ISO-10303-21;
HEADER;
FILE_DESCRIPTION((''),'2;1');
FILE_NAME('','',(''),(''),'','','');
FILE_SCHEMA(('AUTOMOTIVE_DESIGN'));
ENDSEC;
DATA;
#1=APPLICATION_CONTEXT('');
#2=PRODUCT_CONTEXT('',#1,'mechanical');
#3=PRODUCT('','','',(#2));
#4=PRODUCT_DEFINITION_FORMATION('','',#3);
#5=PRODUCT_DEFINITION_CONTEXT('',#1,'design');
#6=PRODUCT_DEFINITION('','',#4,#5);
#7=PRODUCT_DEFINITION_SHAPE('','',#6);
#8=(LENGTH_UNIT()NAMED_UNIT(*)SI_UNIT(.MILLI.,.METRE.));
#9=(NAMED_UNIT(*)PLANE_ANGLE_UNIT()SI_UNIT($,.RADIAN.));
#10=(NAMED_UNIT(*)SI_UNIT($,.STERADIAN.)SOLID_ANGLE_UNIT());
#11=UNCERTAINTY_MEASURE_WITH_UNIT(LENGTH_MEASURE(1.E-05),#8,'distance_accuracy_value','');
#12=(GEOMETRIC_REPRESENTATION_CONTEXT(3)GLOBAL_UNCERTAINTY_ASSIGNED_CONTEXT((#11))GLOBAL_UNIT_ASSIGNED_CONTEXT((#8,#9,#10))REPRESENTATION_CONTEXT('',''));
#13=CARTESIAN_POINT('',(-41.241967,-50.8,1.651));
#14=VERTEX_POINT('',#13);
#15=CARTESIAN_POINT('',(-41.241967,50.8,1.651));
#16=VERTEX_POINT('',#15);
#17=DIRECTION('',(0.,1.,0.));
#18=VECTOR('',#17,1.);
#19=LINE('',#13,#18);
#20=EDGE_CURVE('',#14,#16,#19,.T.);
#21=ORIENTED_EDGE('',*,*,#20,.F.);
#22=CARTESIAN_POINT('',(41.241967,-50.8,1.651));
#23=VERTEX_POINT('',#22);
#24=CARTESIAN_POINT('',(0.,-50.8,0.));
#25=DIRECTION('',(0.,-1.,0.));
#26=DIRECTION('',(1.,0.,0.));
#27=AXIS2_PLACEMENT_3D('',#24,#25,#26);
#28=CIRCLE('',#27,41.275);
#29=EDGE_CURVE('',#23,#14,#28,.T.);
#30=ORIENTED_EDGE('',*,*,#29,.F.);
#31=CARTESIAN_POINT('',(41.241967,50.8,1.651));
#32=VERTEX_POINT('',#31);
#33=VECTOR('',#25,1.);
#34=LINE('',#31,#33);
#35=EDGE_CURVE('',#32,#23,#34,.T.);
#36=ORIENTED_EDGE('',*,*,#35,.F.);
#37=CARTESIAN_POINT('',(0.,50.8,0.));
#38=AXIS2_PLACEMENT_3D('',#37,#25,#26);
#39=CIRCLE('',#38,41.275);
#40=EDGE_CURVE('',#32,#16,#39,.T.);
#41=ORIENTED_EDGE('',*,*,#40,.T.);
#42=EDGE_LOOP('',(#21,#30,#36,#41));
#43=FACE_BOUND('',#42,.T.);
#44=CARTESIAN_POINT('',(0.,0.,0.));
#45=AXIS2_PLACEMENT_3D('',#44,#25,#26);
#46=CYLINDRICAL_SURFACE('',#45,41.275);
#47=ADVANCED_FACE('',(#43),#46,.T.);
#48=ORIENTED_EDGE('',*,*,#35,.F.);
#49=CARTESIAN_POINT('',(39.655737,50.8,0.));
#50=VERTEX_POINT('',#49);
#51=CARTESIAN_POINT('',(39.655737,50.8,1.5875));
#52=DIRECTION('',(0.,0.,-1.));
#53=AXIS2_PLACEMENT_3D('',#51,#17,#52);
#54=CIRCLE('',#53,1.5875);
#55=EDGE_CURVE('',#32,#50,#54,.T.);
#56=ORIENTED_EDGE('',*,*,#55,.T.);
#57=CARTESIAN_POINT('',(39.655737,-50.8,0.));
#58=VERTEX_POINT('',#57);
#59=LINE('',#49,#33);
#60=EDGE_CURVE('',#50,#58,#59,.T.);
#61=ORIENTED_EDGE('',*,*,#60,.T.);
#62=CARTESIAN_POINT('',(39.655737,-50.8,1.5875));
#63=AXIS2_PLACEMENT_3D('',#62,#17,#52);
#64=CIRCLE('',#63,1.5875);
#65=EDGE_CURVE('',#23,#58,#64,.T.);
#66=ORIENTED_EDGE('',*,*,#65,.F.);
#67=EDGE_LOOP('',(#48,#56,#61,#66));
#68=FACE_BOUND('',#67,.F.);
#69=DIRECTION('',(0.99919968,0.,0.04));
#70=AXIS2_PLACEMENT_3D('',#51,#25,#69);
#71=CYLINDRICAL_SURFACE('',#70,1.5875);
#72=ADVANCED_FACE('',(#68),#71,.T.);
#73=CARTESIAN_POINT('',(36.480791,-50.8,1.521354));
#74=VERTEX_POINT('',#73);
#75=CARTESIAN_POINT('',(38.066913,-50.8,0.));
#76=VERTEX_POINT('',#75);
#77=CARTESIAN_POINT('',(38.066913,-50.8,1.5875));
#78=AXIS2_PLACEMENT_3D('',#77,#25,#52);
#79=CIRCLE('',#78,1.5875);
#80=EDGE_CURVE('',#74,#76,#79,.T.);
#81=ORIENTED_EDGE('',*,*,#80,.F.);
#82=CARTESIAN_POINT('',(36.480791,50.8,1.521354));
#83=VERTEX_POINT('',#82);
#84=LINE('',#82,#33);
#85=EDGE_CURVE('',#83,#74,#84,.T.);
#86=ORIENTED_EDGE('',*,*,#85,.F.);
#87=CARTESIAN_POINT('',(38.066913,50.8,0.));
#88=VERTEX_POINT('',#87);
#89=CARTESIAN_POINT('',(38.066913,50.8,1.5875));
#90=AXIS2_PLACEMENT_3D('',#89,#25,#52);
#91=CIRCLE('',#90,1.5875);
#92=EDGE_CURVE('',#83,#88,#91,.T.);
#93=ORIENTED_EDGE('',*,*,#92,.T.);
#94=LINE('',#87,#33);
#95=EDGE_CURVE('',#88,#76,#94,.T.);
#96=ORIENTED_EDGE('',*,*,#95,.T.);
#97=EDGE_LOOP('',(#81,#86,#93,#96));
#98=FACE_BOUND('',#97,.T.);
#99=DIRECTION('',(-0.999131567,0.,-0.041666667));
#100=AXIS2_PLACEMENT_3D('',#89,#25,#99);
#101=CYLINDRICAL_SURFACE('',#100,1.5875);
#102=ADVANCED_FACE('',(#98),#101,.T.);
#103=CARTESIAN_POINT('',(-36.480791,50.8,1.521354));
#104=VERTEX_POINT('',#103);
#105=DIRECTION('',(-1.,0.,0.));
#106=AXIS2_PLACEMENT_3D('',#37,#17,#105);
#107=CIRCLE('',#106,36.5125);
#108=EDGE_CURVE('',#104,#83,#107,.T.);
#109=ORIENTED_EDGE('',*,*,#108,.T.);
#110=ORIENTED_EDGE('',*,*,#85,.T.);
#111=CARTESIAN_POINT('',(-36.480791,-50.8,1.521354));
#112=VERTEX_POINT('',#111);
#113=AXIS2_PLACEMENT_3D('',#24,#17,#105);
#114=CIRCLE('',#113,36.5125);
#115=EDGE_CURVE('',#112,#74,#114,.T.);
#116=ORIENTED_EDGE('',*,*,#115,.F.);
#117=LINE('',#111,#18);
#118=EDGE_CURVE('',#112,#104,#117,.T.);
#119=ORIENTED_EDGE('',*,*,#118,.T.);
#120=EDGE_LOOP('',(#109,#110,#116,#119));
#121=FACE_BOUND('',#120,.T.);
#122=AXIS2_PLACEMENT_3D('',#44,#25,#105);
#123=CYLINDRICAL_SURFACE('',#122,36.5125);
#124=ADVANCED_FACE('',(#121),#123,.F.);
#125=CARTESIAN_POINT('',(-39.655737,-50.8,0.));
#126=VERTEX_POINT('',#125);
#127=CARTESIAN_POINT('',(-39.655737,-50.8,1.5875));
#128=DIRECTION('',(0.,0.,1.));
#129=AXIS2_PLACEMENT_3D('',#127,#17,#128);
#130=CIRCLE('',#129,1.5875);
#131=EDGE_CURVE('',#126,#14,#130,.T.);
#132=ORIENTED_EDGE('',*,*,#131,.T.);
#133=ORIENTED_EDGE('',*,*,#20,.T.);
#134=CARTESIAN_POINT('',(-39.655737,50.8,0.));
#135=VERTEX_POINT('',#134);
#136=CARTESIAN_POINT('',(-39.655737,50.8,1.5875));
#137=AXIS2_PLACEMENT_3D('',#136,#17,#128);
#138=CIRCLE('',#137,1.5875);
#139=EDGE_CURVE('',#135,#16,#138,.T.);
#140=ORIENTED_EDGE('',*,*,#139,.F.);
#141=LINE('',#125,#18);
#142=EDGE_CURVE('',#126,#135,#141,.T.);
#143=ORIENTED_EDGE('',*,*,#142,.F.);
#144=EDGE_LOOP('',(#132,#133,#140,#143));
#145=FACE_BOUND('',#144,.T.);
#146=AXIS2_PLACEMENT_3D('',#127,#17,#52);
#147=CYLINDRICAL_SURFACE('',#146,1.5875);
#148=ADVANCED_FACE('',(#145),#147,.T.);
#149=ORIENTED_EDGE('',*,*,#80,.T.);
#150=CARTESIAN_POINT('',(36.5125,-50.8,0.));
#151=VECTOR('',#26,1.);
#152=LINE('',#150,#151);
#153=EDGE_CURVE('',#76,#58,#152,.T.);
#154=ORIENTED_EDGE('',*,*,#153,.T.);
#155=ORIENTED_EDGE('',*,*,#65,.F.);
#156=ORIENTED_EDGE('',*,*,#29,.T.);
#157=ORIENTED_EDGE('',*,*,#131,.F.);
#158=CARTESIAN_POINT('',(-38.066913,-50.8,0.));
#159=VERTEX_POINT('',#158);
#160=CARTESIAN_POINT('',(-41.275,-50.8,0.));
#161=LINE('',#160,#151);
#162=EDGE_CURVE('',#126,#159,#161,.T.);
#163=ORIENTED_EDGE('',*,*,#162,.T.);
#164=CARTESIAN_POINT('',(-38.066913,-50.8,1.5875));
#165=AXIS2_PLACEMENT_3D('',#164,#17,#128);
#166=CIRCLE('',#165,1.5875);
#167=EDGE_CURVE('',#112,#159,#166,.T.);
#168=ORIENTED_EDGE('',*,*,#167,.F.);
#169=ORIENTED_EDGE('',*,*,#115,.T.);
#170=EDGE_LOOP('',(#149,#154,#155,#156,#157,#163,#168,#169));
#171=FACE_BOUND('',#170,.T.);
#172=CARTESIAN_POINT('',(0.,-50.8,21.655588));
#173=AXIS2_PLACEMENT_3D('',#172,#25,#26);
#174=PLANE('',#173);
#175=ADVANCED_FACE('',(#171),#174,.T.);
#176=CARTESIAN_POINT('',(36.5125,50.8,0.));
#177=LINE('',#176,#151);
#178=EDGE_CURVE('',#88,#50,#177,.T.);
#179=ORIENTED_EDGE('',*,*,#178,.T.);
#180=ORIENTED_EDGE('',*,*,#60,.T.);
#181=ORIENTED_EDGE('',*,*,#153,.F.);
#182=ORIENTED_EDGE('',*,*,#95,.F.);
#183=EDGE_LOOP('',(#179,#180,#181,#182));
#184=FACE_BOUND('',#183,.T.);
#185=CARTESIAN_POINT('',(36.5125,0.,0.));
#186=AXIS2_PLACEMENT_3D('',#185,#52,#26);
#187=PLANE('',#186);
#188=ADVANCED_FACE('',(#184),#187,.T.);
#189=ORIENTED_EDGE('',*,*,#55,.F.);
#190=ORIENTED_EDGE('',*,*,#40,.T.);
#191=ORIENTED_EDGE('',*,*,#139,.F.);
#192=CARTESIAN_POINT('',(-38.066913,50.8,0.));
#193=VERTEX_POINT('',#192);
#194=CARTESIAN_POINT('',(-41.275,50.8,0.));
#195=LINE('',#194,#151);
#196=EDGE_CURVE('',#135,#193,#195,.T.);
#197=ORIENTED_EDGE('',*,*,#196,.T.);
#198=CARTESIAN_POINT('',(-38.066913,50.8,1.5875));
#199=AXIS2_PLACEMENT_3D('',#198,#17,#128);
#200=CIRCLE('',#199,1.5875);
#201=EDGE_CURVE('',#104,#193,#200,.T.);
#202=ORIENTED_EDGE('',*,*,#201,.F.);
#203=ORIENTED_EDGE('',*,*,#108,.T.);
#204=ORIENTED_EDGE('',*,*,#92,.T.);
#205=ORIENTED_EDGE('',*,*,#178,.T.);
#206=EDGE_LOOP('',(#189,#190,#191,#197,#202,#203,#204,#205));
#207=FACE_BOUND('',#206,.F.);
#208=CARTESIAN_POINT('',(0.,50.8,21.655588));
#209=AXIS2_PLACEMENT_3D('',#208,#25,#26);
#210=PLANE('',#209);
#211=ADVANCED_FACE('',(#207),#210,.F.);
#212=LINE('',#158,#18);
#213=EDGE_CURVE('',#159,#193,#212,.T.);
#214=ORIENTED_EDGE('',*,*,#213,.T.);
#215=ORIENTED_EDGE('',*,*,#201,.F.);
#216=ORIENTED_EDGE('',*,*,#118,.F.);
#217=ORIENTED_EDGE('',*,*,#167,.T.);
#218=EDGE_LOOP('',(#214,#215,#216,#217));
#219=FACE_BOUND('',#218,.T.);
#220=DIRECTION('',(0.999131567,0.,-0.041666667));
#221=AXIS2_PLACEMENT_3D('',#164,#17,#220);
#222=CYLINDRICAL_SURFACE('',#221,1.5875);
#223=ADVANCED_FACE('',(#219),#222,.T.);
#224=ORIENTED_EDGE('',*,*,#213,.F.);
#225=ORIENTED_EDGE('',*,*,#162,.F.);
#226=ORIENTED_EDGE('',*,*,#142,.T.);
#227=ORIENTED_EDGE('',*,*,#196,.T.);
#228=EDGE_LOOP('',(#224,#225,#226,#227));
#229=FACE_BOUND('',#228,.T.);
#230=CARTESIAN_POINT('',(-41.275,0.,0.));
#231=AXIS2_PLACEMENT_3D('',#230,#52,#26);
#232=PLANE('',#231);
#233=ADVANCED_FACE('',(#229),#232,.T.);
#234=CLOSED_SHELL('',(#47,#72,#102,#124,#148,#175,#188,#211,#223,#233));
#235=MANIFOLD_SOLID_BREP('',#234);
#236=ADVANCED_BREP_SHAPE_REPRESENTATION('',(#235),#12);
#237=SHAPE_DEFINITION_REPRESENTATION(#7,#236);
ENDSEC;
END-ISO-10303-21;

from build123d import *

# Parameters (mm, degrees)
F1_DEPTH = 50.8
F2_R     = 1.5875


with BuildPart() as f1:
    # F0 (on Front) → F1 (new body, symmetric)
    with BuildSketch(Plane.XZ):
        with BuildLine():
            ThreePointArc((-36.5125, 0), (0, 36.5125), (36.5125, 0))
            Line((36.5125, 0), (41.275, 0))
            ThreePointArc((41.275, 0), (0, 41.275), (-41.275, 0))
            Line((-41.275, 0), (-36.5125, 0))
        make_face()
    extrude(amount=F1_DEPTH, both=True)

    # F2
    f2_edges = [f1.edges().sort_by_distance(p)[0] for p in [
        (-41.275, 0, 0),
        (-36.5125, 0, 0),
        (36.5125, 0, 0),
        (41.275, 0, 0),
    ]]
    fillet(f2_edges, radius=F2_R)


solid = f1.part
